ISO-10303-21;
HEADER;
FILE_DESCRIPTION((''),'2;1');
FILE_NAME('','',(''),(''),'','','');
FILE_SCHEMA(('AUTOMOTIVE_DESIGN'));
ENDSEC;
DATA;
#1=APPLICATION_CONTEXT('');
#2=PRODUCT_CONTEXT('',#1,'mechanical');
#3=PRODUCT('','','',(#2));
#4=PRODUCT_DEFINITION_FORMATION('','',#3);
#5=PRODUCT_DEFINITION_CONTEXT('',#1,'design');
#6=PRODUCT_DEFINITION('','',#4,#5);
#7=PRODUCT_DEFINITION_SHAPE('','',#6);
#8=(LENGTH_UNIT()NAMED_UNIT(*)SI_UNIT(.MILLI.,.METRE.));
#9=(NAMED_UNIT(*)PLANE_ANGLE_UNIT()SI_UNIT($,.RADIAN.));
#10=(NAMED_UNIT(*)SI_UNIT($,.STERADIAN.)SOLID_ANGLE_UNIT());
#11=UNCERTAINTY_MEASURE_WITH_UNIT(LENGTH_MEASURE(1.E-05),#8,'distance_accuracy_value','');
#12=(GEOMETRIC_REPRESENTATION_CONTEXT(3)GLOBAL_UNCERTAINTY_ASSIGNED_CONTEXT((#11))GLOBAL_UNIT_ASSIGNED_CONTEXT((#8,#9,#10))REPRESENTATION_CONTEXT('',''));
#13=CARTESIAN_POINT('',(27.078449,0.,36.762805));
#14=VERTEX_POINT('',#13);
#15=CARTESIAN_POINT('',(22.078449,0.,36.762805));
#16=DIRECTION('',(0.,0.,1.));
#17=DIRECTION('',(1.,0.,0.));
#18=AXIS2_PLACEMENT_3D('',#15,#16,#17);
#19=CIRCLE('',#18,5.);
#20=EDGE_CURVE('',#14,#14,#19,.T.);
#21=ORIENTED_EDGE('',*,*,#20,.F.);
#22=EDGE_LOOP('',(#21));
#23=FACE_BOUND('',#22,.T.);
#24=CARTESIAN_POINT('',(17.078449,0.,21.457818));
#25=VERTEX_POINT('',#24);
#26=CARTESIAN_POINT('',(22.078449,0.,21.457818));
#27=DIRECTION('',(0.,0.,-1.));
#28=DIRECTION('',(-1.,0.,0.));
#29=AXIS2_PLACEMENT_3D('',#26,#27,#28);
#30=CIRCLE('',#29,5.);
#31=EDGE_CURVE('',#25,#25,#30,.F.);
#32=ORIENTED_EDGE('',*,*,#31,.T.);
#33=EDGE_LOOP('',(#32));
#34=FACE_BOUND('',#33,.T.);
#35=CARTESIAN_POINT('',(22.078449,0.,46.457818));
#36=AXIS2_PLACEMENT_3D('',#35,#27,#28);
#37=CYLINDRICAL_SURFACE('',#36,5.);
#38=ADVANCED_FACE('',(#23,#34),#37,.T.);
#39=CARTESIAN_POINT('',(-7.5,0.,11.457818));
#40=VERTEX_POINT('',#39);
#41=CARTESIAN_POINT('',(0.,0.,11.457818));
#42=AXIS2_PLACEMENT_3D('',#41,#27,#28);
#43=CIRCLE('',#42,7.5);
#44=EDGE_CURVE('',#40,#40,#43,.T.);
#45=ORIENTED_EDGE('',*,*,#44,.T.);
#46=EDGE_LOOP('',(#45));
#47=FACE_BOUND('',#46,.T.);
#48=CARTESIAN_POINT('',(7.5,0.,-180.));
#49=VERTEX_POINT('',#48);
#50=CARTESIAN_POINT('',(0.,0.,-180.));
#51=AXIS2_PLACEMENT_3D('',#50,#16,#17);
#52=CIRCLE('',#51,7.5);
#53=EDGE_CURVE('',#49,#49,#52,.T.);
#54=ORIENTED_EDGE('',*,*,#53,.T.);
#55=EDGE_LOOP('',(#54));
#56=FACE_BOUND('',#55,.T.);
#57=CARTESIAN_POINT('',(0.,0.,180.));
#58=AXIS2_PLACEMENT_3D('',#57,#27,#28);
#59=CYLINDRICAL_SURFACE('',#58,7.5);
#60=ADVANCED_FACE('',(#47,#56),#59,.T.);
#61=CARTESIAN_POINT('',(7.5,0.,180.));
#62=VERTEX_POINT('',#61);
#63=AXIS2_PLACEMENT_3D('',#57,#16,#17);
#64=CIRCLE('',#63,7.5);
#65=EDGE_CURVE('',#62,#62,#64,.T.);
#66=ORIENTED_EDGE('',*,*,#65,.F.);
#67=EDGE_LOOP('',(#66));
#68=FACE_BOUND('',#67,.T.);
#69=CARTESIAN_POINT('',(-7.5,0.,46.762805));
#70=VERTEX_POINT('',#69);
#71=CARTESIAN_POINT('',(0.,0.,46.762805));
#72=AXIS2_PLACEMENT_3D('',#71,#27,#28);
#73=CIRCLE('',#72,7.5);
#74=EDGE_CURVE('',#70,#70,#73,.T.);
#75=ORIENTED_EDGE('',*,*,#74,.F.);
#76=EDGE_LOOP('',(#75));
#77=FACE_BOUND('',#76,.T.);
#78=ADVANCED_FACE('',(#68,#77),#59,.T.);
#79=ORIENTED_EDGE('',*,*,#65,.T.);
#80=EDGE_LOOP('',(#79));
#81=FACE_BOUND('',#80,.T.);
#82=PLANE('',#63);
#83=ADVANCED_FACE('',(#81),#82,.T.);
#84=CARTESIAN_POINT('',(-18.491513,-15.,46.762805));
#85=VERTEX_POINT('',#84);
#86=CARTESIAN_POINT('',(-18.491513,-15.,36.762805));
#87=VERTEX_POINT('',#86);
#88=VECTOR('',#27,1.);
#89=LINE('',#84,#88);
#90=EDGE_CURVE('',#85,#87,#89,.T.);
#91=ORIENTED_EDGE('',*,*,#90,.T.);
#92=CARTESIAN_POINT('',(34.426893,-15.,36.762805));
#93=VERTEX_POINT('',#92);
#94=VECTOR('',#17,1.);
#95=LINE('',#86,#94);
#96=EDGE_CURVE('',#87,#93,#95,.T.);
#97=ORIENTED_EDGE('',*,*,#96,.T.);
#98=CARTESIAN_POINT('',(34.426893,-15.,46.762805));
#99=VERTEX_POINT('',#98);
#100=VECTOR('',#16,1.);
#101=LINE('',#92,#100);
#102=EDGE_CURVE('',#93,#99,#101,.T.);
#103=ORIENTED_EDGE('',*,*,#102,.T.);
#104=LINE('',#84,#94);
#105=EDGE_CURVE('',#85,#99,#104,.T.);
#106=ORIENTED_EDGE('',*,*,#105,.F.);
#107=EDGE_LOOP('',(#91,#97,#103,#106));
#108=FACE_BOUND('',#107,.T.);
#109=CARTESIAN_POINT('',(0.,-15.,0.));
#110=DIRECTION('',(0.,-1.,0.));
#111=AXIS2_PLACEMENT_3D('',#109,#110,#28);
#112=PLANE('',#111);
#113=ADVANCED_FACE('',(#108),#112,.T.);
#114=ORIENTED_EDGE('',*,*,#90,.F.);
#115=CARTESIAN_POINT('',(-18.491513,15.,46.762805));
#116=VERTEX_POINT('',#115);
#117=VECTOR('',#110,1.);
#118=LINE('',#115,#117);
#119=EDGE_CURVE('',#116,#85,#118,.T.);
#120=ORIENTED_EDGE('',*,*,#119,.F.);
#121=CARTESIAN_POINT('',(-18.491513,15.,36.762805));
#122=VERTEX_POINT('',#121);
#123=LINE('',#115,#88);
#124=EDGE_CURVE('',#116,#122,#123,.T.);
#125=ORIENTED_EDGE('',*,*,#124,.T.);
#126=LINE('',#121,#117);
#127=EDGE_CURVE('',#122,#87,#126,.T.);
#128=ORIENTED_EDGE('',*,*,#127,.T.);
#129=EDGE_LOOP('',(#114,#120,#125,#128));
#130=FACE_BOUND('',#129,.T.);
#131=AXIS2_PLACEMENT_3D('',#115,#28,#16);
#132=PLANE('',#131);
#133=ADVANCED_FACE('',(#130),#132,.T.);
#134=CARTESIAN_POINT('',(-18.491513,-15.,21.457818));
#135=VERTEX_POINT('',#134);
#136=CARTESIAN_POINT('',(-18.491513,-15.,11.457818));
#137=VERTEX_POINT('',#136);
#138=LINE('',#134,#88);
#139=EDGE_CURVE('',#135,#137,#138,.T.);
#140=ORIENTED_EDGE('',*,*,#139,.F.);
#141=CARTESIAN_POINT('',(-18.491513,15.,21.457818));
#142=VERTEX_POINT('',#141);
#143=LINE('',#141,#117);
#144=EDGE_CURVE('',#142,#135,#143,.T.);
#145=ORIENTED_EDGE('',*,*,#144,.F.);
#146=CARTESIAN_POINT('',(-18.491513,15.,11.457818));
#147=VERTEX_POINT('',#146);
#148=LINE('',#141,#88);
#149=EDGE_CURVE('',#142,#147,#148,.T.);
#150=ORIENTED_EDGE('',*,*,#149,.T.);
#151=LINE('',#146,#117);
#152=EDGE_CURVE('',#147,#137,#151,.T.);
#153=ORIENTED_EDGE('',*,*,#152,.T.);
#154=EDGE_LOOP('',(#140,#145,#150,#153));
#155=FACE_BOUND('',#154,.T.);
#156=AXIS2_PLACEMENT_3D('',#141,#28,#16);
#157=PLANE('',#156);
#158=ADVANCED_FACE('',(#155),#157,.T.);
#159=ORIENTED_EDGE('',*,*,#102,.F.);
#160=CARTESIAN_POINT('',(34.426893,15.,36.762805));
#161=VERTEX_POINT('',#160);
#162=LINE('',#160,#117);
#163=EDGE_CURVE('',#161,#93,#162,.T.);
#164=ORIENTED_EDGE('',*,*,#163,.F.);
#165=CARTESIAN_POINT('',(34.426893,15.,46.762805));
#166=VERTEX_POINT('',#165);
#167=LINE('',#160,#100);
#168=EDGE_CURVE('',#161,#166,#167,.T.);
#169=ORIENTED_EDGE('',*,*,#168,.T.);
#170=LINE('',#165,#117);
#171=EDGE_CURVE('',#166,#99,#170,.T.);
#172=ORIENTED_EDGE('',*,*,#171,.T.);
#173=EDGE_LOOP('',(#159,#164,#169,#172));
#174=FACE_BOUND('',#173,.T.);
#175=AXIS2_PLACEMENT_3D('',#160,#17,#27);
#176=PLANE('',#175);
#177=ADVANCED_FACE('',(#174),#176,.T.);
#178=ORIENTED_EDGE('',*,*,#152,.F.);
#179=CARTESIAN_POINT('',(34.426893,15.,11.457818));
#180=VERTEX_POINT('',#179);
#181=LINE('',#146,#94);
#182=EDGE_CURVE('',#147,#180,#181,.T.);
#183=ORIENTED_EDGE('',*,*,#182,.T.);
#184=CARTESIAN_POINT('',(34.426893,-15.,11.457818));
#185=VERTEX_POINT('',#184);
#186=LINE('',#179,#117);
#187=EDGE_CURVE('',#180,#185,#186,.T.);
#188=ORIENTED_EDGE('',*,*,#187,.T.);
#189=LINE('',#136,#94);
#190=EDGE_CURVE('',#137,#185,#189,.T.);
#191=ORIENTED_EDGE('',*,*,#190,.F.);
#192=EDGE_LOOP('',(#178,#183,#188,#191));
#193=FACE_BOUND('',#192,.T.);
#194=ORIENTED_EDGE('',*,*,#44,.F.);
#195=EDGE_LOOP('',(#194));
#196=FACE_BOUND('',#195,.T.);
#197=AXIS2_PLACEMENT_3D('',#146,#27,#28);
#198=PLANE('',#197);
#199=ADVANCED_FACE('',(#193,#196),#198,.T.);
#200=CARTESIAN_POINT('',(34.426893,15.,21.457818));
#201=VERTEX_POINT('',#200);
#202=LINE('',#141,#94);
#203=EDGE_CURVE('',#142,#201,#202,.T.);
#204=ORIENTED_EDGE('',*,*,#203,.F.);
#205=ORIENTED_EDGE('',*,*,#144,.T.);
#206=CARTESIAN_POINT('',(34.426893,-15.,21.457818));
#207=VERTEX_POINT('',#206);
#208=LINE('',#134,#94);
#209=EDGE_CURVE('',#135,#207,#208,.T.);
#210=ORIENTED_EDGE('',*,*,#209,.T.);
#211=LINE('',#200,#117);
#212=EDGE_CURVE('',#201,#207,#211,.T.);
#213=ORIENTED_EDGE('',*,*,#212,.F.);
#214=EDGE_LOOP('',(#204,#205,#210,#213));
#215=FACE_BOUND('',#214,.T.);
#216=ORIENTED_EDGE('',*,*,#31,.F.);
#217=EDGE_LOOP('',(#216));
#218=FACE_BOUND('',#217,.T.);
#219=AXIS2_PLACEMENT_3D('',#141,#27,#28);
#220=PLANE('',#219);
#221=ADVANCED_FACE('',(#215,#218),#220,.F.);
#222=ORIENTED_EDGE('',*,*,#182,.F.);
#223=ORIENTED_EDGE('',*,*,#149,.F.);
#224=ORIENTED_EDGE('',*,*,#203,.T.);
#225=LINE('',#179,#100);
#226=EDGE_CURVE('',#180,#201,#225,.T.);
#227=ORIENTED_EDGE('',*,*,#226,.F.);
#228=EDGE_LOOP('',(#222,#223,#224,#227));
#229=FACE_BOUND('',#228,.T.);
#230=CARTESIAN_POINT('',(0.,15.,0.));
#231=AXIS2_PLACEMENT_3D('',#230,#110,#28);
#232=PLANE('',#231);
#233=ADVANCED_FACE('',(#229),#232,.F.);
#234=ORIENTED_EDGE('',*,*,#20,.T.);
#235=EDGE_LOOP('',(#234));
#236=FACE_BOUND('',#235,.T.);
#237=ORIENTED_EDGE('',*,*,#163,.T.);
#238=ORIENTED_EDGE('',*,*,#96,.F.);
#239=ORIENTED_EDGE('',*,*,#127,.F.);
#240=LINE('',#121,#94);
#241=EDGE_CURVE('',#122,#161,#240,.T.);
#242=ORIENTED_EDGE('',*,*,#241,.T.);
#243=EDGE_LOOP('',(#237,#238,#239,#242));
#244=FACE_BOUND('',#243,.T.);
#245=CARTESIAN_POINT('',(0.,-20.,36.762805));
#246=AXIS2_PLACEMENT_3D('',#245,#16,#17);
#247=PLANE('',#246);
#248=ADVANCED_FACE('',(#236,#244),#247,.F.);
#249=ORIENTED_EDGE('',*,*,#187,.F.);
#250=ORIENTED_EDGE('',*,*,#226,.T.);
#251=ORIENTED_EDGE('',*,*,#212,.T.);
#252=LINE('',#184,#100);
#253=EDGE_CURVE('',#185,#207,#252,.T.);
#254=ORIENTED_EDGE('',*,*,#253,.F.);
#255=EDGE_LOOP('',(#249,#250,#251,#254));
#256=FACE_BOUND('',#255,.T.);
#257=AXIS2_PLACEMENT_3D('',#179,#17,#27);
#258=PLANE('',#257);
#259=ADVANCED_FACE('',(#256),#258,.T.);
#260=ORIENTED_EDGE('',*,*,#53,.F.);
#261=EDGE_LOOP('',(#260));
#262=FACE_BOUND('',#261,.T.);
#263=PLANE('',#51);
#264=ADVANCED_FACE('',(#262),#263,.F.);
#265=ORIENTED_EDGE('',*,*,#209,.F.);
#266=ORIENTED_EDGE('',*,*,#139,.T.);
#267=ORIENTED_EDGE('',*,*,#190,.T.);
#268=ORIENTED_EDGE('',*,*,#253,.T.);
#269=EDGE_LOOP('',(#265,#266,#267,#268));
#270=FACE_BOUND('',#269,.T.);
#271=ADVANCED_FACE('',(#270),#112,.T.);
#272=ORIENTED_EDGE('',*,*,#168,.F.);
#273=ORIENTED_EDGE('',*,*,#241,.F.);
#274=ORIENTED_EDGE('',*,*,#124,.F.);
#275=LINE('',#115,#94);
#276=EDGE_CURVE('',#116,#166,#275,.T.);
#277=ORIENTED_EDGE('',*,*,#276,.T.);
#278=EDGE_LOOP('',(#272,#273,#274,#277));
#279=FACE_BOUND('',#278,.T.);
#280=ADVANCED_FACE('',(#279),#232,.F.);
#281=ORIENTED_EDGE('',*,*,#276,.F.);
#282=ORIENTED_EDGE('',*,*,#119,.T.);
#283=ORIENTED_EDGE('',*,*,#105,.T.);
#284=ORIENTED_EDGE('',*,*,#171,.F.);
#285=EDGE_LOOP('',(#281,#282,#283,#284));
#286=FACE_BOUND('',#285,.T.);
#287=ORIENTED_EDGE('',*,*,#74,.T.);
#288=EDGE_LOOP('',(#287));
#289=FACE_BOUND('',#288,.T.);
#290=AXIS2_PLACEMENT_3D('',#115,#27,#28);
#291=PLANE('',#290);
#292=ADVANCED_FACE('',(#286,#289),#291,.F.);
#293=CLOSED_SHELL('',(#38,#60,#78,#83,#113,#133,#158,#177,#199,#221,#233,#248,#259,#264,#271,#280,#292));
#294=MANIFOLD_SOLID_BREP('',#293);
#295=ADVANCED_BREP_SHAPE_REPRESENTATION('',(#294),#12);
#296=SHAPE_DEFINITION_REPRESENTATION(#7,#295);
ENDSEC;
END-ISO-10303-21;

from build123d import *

# Parameters (mm, degrees)
SKETCH1_R           = 7.5
BOSS_EXTRUDE1_DEPTH = 180
SKETCH2_W           = 60
SKETCH2_H           = 25
CUT_EXTRUDE2_DEPTH  = 20
SKETCH3_W           = 52.918405924
SKETCH3_H           = 10
EXTRUDE_THIN1_DEPTH = 15
SKETCH4_R           = 5
BOSS_EXTRUDE2_DEPTH = 25


with BuildPart() as part:
    # Sketch1 → Boss-Extrude1 (new body, symmetric)
    with BuildSketch(Plane.XY):
        Circle(SKETCH1_R)
    extrude(amount=BOSS_EXTRUDE1_DEPTH, both=True)

    # Sketch2 → Cut-Extrude2 (cut, symmetric)
    with BuildSketch(Plane(origin=(0, 0, 0), x_dir=(1, 0, 0), z_dir=(0, 1, 0))):
        with Locations((14.409183819, -24.262804911)):
            Rectangle(SKETCH2_W, SKETCH2_H)
    extrude(amount=CUT_EXTRUDE2_DEPTH, both=True, mode=Mode.SUBTRACT)

    # Sketch3 → Extrude-Thin1 (add, symmetric)
    with BuildSketch(Plane(origin=(0, 0, 0), x_dir=(1, 0, 0), z_dir=(0, 1, 0))):
        with Locations((7.967689598, -16.457817956)):
            Rectangle(SKETCH3_W, SKETCH3_H)
        with Locations((7.967689598, -41.762804911)):
            Rectangle(SKETCH3_W, SKETCH3_H)
    extrude(amount=EXTRUDE_THIN1_DEPTH, both=True)

    # Sketch4 → Boss-Extrude2 (add)
    with BuildSketch(Plane.XY.offset(21.457817956)):
        with Locations((22.078448721, 0)):
            Circle(SKETCH4_R)
    extrude(amount=BOSS_EXTRUDE2_DEPTH)


solid = part.part
